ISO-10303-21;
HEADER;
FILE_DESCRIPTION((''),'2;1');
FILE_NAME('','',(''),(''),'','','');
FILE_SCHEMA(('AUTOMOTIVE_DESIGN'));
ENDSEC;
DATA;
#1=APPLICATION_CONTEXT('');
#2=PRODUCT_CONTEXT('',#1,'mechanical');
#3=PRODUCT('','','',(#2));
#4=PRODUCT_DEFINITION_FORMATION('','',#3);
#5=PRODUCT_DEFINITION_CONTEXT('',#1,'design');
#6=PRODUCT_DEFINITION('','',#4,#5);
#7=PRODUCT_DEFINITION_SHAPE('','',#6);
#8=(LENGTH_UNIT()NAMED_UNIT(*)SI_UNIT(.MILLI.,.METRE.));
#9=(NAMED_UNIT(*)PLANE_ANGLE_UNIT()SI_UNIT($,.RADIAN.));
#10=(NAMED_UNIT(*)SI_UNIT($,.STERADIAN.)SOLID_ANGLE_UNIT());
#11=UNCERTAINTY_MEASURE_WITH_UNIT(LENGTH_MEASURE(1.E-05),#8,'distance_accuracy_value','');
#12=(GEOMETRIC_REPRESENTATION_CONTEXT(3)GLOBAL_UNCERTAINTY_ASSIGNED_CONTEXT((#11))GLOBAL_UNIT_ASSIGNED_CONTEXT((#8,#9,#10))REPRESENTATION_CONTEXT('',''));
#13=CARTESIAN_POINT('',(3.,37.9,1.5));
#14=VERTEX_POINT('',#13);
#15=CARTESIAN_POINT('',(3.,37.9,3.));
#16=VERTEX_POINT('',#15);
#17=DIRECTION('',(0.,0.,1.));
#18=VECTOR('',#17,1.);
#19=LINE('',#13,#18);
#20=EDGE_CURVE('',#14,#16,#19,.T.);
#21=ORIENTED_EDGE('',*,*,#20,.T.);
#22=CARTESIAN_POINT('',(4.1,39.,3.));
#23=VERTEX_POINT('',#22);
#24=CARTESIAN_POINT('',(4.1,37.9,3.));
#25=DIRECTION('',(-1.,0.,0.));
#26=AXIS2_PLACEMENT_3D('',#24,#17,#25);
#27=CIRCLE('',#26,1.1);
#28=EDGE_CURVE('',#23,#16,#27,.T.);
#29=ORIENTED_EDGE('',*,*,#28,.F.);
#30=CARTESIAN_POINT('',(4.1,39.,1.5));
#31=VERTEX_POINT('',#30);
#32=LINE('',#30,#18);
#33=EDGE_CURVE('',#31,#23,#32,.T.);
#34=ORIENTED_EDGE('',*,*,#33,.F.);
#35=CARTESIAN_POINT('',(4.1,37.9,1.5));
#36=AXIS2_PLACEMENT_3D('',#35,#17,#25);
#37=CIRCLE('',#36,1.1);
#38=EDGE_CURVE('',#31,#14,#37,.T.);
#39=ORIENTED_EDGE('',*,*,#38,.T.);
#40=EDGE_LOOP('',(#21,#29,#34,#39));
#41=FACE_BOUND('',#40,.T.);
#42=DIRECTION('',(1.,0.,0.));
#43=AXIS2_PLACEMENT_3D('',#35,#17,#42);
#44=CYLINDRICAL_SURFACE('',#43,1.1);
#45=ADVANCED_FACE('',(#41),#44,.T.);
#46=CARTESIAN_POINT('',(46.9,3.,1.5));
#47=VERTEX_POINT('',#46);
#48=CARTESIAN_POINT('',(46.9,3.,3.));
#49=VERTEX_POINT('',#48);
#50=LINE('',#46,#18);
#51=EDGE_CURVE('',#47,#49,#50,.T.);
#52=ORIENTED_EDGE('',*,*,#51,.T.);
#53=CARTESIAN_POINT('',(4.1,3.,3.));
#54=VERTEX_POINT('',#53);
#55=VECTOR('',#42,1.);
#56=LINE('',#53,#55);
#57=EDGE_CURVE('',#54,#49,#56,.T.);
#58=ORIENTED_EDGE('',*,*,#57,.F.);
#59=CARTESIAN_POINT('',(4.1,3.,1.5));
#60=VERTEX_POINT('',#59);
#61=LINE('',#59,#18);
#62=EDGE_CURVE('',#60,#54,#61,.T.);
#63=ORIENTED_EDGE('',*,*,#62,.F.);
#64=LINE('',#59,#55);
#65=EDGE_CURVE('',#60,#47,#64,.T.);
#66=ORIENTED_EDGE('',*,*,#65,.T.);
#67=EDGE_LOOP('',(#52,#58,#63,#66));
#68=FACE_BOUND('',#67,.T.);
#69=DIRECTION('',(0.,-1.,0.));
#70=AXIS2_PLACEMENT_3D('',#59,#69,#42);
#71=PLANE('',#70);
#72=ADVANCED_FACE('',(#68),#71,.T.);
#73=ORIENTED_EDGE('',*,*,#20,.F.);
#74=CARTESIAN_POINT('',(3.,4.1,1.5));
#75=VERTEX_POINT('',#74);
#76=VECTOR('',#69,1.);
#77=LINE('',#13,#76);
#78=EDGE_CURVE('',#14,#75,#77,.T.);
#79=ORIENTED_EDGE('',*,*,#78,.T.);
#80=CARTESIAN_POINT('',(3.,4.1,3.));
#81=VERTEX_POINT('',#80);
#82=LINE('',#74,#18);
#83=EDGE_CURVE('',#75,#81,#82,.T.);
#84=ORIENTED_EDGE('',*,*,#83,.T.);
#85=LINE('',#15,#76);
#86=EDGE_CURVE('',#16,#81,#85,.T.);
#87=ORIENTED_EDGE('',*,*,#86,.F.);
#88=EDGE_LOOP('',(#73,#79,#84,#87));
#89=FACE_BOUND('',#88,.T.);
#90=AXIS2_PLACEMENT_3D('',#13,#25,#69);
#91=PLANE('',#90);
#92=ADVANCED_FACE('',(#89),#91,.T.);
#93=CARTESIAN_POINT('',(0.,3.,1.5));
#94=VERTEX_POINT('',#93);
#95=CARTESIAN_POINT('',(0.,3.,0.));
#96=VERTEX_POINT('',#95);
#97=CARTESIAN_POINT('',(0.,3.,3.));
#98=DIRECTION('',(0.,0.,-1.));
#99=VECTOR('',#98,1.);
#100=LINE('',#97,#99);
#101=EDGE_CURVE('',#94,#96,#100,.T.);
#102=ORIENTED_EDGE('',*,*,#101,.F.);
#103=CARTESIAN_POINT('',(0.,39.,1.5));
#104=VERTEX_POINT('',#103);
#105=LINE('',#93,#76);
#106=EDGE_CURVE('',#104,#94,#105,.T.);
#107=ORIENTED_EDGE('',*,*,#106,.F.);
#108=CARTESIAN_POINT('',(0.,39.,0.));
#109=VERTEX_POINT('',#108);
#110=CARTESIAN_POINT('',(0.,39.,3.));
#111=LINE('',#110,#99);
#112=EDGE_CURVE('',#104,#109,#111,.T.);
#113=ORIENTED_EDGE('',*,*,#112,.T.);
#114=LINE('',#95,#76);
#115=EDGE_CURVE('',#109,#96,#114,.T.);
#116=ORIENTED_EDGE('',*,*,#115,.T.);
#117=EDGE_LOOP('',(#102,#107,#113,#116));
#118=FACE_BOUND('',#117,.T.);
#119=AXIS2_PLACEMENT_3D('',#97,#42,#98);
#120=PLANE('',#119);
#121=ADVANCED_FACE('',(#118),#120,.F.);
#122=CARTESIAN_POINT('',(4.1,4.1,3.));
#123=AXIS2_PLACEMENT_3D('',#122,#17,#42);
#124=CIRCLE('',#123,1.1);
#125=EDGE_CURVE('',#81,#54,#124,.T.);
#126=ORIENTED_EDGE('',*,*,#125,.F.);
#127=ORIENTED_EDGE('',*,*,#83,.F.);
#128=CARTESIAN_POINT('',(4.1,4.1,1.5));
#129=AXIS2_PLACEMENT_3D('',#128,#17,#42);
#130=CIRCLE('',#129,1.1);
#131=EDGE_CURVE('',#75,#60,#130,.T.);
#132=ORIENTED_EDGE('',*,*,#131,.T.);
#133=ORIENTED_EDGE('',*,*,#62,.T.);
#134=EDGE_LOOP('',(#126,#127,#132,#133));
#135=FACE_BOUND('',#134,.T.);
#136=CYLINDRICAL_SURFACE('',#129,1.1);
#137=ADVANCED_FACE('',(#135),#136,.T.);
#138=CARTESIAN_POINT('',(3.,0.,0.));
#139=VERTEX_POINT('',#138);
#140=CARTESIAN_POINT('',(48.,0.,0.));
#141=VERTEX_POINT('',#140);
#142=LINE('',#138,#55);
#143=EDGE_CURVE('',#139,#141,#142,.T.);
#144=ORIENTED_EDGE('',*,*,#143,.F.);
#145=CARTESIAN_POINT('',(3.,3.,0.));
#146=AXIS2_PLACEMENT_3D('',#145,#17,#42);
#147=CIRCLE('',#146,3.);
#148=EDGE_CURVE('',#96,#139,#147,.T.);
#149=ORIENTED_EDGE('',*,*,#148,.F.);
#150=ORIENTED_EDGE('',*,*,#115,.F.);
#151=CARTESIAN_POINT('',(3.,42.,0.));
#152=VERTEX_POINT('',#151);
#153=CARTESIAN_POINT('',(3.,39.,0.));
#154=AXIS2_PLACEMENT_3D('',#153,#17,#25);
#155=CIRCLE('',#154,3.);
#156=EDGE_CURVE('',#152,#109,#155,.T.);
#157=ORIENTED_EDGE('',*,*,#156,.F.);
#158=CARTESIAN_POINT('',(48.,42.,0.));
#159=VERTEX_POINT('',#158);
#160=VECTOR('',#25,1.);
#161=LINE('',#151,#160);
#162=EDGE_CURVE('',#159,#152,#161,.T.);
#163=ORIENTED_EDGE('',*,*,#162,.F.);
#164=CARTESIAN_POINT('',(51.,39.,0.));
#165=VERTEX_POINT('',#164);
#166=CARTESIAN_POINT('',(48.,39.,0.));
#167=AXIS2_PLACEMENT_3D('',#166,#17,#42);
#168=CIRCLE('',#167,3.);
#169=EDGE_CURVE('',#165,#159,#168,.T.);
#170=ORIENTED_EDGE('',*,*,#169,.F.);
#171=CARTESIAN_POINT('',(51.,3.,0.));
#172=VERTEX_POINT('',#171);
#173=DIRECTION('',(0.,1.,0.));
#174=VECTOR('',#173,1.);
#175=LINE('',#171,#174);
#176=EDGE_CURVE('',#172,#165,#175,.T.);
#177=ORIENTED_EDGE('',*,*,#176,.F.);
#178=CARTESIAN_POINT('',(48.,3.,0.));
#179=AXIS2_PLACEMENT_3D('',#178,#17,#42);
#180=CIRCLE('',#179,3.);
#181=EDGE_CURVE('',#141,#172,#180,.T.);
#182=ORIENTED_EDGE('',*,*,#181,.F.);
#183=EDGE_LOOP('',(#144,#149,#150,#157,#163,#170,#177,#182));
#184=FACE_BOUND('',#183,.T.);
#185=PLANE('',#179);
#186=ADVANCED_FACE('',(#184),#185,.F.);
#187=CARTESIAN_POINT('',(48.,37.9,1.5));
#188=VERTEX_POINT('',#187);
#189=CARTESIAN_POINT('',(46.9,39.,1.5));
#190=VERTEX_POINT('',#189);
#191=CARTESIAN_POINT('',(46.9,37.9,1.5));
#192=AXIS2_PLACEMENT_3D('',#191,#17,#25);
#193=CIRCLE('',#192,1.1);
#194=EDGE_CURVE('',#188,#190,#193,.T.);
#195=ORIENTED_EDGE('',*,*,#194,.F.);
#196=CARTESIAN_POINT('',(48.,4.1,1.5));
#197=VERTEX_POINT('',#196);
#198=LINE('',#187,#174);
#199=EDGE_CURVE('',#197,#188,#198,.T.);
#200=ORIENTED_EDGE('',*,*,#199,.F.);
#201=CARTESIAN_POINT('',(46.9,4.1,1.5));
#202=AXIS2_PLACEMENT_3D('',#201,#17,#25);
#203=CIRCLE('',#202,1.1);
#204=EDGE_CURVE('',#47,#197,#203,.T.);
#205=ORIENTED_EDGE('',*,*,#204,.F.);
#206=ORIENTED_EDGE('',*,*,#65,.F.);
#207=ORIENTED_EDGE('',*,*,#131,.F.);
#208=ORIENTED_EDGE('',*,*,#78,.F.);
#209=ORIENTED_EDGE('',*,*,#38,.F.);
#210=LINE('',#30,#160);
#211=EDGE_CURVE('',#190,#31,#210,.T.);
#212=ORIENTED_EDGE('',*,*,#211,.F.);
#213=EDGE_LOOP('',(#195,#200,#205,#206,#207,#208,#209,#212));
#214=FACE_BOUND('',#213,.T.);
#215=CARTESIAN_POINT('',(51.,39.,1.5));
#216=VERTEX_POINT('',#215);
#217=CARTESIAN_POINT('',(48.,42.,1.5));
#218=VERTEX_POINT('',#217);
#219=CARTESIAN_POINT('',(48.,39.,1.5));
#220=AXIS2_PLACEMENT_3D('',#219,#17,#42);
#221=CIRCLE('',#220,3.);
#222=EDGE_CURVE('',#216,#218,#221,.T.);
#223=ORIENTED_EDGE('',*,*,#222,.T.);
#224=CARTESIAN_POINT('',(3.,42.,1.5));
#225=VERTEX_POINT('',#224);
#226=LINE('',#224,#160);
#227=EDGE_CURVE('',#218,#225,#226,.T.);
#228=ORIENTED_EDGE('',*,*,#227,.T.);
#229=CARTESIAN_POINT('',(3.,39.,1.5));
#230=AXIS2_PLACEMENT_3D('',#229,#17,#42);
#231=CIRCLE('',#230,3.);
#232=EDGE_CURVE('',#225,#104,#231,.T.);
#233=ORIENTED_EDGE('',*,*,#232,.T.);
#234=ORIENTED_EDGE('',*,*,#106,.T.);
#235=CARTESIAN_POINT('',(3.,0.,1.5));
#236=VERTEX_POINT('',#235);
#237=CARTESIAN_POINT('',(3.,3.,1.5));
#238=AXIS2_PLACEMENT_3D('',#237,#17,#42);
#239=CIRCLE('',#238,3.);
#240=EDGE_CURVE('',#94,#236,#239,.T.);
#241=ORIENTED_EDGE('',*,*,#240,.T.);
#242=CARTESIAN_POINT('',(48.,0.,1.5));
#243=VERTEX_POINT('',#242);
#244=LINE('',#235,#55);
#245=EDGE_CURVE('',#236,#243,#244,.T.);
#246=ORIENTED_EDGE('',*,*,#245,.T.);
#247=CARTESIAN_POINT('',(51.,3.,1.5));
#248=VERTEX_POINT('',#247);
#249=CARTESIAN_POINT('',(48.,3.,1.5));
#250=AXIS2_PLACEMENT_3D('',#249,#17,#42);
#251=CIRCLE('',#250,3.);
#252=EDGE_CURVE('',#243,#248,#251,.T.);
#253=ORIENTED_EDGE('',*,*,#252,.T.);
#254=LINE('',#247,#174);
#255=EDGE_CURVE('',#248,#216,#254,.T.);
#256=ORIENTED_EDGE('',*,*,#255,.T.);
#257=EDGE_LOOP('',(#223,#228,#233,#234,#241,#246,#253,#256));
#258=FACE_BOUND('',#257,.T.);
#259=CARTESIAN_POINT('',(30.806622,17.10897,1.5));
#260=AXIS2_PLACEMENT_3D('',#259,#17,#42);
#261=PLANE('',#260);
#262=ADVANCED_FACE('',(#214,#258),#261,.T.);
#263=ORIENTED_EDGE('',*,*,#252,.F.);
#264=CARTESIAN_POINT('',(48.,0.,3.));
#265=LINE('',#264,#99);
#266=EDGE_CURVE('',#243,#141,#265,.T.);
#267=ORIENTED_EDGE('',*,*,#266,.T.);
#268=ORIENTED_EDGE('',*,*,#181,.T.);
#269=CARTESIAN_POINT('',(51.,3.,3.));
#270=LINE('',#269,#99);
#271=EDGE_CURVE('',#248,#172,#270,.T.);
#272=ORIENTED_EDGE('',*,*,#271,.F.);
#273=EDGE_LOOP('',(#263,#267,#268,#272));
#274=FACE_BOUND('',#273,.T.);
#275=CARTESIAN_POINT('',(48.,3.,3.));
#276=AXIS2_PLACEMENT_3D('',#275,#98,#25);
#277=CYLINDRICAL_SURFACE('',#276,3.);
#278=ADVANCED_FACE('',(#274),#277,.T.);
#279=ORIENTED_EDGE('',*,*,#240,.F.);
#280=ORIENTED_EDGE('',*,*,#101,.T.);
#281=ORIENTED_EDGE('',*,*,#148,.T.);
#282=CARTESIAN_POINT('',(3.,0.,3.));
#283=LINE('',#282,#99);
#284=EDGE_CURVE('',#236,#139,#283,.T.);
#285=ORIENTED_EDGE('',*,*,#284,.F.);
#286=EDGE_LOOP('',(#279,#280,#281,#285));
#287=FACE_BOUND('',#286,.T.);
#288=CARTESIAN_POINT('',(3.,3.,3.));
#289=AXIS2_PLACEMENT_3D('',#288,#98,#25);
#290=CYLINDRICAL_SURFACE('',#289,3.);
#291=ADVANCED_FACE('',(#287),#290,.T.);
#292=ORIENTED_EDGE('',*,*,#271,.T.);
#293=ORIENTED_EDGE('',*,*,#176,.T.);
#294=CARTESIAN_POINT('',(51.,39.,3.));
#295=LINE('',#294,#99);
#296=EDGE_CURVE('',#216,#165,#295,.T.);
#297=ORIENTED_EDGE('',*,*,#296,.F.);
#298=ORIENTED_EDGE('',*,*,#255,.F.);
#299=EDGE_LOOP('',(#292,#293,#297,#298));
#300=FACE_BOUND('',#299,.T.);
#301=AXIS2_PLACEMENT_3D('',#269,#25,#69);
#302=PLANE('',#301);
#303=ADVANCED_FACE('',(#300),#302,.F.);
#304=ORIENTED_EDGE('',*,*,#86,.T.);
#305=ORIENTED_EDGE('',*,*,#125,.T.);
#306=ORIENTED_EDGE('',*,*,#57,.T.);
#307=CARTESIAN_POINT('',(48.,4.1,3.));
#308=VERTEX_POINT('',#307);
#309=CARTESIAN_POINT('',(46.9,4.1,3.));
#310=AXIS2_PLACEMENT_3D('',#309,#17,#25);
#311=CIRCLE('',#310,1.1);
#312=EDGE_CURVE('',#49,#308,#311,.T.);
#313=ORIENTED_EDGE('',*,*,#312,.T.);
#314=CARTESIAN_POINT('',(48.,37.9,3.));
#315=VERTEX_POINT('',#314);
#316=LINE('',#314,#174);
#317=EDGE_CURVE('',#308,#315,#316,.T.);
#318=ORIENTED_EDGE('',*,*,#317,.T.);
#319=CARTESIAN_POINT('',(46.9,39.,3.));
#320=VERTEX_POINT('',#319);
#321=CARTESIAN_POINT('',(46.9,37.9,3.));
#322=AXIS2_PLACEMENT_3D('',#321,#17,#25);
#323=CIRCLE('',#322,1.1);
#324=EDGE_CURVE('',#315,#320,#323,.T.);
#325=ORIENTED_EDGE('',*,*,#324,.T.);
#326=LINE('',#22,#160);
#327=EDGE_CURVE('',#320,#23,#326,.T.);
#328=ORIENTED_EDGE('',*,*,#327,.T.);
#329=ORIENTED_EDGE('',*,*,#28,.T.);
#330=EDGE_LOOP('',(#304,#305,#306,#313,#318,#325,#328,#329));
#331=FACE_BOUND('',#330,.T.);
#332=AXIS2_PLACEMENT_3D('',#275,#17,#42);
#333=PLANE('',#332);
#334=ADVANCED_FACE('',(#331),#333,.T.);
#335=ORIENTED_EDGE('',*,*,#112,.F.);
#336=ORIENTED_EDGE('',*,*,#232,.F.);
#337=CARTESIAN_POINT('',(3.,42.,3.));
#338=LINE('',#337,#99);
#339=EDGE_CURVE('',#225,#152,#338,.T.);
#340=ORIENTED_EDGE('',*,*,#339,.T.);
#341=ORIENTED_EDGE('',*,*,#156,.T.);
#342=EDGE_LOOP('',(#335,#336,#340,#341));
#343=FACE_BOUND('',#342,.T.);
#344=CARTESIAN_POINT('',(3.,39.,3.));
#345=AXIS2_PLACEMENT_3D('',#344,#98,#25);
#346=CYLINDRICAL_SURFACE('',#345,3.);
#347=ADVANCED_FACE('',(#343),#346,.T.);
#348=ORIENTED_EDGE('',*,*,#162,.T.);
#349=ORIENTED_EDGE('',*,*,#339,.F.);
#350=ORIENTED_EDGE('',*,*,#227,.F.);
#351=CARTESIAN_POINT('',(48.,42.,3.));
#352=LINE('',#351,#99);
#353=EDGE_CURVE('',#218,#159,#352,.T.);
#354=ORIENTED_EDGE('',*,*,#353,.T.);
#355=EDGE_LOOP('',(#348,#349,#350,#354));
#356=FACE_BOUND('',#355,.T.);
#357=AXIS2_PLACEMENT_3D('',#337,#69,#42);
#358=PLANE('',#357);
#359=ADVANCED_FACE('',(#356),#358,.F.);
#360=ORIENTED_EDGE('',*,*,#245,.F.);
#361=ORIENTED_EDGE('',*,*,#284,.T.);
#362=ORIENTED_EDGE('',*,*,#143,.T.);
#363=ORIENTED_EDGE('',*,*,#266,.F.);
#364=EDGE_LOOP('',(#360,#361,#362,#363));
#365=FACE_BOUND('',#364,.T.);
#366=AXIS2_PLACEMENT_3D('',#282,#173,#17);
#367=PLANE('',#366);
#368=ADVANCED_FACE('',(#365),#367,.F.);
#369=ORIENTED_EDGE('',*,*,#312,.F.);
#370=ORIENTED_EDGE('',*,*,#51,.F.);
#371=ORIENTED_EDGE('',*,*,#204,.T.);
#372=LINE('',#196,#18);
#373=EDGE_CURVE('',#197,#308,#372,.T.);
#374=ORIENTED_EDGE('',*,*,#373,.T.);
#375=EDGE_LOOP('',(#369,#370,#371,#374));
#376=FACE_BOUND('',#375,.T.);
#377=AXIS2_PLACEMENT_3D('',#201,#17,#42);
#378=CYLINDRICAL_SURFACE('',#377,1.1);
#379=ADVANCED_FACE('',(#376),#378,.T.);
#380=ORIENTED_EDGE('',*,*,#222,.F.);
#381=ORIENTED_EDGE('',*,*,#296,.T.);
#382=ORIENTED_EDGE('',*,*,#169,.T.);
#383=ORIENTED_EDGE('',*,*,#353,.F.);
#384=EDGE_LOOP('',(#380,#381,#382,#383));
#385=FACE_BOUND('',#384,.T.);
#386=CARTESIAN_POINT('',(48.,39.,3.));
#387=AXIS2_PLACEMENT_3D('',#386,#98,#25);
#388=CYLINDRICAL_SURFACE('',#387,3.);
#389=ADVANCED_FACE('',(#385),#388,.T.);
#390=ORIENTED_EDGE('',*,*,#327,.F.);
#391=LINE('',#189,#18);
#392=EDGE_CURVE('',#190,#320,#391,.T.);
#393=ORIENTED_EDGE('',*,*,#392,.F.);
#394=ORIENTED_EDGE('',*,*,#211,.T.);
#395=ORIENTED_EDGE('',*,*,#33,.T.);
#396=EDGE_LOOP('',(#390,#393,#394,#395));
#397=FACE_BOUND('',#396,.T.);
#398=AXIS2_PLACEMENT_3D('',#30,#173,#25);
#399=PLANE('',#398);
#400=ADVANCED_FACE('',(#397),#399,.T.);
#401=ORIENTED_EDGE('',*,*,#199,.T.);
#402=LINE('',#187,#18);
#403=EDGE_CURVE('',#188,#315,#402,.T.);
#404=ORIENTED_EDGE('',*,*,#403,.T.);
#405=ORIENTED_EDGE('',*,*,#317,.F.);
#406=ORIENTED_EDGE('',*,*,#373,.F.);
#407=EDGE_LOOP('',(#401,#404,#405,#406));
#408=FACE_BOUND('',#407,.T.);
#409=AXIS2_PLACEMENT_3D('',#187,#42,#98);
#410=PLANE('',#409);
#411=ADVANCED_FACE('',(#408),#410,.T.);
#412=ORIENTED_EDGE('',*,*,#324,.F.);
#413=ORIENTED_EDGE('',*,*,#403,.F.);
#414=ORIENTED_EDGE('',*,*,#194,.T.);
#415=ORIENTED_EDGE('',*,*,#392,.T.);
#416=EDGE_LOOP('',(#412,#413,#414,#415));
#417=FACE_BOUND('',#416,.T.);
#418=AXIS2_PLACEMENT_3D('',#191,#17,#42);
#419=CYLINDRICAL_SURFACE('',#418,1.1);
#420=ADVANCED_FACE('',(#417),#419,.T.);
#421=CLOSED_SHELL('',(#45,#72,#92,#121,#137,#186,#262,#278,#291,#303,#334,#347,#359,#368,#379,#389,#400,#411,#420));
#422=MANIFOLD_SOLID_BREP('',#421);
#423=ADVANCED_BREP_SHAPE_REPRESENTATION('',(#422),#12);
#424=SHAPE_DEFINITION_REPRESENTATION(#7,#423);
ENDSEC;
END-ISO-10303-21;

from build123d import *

# Parameters (mm, degrees)
EXTRUDE_1_DEPTH     = 3
SKETCH_2_OUTSIDE_W  = 66.228
SKETCH_2_OUTSIDE_H  = 57.228
CUT_EXTRUDE_1_DEPTH = 1.5


with BuildPart() as part:
    # 草图1 → 凸台-拉伸1 (new body)
    with BuildSketch(Plane.XY):
        with BuildLine():
            Line((3, 0), (48, 0))
            ThreePointArc((48, 0), (50.121320344, 0.878679656), (51, 3))
            Line((51, 3), (51, 39))
            ThreePointArc((51, 39), (50.121320344, 41.121320344), (48, 42))
            Line((48, 42), (3, 42))
            ThreePointArc((3, 42), (0.878679656, 41.121320344), (0, 39))
            Line((0, 39), (0, 3))
            ThreePointArc((0, 3), (0.878679656, 0.878679656), (3, 0))
        make_face()
    extrude(amount=EXTRUDE_1_DEPTH)

    # 草图2 outside → 切除-拉伸1 (cut)
    with BuildSketch(Plane.XY.offset(3)):
        with Locations((25.5, 21)):
            Rectangle(SKETCH_2_OUTSIDE_W, SKETCH_2_OUTSIDE_H)
        with BuildLine():
            Line((4.1, 39), (46.9, 39))
            ThreePointArc((46.9, 39), (47.677817459, 38.677817459), (48, 37.9))
            Line((48, 37.9), (48, 4.1))
            ThreePointArc((48, 4.1), (47.677817459, 3.322182541), (46.9, 3))
            Line((46.9, 3), (4.1, 3))
            ThreePointArc((4.1, 3), (3.322182541, 3.322182541), (3, 4.1))
            Line((3, 4.1), (3, 37.9))
            ThreePointArc((3, 37.9), (3.322182541, 38.677817459), (4.1, 39))
        make_face(mode=Mode.SUBTRACT)
    extrude(amount=-CUT_EXTRUDE_1_DEPTH, mode=Mode.SUBTRACT)


solid = part.part
